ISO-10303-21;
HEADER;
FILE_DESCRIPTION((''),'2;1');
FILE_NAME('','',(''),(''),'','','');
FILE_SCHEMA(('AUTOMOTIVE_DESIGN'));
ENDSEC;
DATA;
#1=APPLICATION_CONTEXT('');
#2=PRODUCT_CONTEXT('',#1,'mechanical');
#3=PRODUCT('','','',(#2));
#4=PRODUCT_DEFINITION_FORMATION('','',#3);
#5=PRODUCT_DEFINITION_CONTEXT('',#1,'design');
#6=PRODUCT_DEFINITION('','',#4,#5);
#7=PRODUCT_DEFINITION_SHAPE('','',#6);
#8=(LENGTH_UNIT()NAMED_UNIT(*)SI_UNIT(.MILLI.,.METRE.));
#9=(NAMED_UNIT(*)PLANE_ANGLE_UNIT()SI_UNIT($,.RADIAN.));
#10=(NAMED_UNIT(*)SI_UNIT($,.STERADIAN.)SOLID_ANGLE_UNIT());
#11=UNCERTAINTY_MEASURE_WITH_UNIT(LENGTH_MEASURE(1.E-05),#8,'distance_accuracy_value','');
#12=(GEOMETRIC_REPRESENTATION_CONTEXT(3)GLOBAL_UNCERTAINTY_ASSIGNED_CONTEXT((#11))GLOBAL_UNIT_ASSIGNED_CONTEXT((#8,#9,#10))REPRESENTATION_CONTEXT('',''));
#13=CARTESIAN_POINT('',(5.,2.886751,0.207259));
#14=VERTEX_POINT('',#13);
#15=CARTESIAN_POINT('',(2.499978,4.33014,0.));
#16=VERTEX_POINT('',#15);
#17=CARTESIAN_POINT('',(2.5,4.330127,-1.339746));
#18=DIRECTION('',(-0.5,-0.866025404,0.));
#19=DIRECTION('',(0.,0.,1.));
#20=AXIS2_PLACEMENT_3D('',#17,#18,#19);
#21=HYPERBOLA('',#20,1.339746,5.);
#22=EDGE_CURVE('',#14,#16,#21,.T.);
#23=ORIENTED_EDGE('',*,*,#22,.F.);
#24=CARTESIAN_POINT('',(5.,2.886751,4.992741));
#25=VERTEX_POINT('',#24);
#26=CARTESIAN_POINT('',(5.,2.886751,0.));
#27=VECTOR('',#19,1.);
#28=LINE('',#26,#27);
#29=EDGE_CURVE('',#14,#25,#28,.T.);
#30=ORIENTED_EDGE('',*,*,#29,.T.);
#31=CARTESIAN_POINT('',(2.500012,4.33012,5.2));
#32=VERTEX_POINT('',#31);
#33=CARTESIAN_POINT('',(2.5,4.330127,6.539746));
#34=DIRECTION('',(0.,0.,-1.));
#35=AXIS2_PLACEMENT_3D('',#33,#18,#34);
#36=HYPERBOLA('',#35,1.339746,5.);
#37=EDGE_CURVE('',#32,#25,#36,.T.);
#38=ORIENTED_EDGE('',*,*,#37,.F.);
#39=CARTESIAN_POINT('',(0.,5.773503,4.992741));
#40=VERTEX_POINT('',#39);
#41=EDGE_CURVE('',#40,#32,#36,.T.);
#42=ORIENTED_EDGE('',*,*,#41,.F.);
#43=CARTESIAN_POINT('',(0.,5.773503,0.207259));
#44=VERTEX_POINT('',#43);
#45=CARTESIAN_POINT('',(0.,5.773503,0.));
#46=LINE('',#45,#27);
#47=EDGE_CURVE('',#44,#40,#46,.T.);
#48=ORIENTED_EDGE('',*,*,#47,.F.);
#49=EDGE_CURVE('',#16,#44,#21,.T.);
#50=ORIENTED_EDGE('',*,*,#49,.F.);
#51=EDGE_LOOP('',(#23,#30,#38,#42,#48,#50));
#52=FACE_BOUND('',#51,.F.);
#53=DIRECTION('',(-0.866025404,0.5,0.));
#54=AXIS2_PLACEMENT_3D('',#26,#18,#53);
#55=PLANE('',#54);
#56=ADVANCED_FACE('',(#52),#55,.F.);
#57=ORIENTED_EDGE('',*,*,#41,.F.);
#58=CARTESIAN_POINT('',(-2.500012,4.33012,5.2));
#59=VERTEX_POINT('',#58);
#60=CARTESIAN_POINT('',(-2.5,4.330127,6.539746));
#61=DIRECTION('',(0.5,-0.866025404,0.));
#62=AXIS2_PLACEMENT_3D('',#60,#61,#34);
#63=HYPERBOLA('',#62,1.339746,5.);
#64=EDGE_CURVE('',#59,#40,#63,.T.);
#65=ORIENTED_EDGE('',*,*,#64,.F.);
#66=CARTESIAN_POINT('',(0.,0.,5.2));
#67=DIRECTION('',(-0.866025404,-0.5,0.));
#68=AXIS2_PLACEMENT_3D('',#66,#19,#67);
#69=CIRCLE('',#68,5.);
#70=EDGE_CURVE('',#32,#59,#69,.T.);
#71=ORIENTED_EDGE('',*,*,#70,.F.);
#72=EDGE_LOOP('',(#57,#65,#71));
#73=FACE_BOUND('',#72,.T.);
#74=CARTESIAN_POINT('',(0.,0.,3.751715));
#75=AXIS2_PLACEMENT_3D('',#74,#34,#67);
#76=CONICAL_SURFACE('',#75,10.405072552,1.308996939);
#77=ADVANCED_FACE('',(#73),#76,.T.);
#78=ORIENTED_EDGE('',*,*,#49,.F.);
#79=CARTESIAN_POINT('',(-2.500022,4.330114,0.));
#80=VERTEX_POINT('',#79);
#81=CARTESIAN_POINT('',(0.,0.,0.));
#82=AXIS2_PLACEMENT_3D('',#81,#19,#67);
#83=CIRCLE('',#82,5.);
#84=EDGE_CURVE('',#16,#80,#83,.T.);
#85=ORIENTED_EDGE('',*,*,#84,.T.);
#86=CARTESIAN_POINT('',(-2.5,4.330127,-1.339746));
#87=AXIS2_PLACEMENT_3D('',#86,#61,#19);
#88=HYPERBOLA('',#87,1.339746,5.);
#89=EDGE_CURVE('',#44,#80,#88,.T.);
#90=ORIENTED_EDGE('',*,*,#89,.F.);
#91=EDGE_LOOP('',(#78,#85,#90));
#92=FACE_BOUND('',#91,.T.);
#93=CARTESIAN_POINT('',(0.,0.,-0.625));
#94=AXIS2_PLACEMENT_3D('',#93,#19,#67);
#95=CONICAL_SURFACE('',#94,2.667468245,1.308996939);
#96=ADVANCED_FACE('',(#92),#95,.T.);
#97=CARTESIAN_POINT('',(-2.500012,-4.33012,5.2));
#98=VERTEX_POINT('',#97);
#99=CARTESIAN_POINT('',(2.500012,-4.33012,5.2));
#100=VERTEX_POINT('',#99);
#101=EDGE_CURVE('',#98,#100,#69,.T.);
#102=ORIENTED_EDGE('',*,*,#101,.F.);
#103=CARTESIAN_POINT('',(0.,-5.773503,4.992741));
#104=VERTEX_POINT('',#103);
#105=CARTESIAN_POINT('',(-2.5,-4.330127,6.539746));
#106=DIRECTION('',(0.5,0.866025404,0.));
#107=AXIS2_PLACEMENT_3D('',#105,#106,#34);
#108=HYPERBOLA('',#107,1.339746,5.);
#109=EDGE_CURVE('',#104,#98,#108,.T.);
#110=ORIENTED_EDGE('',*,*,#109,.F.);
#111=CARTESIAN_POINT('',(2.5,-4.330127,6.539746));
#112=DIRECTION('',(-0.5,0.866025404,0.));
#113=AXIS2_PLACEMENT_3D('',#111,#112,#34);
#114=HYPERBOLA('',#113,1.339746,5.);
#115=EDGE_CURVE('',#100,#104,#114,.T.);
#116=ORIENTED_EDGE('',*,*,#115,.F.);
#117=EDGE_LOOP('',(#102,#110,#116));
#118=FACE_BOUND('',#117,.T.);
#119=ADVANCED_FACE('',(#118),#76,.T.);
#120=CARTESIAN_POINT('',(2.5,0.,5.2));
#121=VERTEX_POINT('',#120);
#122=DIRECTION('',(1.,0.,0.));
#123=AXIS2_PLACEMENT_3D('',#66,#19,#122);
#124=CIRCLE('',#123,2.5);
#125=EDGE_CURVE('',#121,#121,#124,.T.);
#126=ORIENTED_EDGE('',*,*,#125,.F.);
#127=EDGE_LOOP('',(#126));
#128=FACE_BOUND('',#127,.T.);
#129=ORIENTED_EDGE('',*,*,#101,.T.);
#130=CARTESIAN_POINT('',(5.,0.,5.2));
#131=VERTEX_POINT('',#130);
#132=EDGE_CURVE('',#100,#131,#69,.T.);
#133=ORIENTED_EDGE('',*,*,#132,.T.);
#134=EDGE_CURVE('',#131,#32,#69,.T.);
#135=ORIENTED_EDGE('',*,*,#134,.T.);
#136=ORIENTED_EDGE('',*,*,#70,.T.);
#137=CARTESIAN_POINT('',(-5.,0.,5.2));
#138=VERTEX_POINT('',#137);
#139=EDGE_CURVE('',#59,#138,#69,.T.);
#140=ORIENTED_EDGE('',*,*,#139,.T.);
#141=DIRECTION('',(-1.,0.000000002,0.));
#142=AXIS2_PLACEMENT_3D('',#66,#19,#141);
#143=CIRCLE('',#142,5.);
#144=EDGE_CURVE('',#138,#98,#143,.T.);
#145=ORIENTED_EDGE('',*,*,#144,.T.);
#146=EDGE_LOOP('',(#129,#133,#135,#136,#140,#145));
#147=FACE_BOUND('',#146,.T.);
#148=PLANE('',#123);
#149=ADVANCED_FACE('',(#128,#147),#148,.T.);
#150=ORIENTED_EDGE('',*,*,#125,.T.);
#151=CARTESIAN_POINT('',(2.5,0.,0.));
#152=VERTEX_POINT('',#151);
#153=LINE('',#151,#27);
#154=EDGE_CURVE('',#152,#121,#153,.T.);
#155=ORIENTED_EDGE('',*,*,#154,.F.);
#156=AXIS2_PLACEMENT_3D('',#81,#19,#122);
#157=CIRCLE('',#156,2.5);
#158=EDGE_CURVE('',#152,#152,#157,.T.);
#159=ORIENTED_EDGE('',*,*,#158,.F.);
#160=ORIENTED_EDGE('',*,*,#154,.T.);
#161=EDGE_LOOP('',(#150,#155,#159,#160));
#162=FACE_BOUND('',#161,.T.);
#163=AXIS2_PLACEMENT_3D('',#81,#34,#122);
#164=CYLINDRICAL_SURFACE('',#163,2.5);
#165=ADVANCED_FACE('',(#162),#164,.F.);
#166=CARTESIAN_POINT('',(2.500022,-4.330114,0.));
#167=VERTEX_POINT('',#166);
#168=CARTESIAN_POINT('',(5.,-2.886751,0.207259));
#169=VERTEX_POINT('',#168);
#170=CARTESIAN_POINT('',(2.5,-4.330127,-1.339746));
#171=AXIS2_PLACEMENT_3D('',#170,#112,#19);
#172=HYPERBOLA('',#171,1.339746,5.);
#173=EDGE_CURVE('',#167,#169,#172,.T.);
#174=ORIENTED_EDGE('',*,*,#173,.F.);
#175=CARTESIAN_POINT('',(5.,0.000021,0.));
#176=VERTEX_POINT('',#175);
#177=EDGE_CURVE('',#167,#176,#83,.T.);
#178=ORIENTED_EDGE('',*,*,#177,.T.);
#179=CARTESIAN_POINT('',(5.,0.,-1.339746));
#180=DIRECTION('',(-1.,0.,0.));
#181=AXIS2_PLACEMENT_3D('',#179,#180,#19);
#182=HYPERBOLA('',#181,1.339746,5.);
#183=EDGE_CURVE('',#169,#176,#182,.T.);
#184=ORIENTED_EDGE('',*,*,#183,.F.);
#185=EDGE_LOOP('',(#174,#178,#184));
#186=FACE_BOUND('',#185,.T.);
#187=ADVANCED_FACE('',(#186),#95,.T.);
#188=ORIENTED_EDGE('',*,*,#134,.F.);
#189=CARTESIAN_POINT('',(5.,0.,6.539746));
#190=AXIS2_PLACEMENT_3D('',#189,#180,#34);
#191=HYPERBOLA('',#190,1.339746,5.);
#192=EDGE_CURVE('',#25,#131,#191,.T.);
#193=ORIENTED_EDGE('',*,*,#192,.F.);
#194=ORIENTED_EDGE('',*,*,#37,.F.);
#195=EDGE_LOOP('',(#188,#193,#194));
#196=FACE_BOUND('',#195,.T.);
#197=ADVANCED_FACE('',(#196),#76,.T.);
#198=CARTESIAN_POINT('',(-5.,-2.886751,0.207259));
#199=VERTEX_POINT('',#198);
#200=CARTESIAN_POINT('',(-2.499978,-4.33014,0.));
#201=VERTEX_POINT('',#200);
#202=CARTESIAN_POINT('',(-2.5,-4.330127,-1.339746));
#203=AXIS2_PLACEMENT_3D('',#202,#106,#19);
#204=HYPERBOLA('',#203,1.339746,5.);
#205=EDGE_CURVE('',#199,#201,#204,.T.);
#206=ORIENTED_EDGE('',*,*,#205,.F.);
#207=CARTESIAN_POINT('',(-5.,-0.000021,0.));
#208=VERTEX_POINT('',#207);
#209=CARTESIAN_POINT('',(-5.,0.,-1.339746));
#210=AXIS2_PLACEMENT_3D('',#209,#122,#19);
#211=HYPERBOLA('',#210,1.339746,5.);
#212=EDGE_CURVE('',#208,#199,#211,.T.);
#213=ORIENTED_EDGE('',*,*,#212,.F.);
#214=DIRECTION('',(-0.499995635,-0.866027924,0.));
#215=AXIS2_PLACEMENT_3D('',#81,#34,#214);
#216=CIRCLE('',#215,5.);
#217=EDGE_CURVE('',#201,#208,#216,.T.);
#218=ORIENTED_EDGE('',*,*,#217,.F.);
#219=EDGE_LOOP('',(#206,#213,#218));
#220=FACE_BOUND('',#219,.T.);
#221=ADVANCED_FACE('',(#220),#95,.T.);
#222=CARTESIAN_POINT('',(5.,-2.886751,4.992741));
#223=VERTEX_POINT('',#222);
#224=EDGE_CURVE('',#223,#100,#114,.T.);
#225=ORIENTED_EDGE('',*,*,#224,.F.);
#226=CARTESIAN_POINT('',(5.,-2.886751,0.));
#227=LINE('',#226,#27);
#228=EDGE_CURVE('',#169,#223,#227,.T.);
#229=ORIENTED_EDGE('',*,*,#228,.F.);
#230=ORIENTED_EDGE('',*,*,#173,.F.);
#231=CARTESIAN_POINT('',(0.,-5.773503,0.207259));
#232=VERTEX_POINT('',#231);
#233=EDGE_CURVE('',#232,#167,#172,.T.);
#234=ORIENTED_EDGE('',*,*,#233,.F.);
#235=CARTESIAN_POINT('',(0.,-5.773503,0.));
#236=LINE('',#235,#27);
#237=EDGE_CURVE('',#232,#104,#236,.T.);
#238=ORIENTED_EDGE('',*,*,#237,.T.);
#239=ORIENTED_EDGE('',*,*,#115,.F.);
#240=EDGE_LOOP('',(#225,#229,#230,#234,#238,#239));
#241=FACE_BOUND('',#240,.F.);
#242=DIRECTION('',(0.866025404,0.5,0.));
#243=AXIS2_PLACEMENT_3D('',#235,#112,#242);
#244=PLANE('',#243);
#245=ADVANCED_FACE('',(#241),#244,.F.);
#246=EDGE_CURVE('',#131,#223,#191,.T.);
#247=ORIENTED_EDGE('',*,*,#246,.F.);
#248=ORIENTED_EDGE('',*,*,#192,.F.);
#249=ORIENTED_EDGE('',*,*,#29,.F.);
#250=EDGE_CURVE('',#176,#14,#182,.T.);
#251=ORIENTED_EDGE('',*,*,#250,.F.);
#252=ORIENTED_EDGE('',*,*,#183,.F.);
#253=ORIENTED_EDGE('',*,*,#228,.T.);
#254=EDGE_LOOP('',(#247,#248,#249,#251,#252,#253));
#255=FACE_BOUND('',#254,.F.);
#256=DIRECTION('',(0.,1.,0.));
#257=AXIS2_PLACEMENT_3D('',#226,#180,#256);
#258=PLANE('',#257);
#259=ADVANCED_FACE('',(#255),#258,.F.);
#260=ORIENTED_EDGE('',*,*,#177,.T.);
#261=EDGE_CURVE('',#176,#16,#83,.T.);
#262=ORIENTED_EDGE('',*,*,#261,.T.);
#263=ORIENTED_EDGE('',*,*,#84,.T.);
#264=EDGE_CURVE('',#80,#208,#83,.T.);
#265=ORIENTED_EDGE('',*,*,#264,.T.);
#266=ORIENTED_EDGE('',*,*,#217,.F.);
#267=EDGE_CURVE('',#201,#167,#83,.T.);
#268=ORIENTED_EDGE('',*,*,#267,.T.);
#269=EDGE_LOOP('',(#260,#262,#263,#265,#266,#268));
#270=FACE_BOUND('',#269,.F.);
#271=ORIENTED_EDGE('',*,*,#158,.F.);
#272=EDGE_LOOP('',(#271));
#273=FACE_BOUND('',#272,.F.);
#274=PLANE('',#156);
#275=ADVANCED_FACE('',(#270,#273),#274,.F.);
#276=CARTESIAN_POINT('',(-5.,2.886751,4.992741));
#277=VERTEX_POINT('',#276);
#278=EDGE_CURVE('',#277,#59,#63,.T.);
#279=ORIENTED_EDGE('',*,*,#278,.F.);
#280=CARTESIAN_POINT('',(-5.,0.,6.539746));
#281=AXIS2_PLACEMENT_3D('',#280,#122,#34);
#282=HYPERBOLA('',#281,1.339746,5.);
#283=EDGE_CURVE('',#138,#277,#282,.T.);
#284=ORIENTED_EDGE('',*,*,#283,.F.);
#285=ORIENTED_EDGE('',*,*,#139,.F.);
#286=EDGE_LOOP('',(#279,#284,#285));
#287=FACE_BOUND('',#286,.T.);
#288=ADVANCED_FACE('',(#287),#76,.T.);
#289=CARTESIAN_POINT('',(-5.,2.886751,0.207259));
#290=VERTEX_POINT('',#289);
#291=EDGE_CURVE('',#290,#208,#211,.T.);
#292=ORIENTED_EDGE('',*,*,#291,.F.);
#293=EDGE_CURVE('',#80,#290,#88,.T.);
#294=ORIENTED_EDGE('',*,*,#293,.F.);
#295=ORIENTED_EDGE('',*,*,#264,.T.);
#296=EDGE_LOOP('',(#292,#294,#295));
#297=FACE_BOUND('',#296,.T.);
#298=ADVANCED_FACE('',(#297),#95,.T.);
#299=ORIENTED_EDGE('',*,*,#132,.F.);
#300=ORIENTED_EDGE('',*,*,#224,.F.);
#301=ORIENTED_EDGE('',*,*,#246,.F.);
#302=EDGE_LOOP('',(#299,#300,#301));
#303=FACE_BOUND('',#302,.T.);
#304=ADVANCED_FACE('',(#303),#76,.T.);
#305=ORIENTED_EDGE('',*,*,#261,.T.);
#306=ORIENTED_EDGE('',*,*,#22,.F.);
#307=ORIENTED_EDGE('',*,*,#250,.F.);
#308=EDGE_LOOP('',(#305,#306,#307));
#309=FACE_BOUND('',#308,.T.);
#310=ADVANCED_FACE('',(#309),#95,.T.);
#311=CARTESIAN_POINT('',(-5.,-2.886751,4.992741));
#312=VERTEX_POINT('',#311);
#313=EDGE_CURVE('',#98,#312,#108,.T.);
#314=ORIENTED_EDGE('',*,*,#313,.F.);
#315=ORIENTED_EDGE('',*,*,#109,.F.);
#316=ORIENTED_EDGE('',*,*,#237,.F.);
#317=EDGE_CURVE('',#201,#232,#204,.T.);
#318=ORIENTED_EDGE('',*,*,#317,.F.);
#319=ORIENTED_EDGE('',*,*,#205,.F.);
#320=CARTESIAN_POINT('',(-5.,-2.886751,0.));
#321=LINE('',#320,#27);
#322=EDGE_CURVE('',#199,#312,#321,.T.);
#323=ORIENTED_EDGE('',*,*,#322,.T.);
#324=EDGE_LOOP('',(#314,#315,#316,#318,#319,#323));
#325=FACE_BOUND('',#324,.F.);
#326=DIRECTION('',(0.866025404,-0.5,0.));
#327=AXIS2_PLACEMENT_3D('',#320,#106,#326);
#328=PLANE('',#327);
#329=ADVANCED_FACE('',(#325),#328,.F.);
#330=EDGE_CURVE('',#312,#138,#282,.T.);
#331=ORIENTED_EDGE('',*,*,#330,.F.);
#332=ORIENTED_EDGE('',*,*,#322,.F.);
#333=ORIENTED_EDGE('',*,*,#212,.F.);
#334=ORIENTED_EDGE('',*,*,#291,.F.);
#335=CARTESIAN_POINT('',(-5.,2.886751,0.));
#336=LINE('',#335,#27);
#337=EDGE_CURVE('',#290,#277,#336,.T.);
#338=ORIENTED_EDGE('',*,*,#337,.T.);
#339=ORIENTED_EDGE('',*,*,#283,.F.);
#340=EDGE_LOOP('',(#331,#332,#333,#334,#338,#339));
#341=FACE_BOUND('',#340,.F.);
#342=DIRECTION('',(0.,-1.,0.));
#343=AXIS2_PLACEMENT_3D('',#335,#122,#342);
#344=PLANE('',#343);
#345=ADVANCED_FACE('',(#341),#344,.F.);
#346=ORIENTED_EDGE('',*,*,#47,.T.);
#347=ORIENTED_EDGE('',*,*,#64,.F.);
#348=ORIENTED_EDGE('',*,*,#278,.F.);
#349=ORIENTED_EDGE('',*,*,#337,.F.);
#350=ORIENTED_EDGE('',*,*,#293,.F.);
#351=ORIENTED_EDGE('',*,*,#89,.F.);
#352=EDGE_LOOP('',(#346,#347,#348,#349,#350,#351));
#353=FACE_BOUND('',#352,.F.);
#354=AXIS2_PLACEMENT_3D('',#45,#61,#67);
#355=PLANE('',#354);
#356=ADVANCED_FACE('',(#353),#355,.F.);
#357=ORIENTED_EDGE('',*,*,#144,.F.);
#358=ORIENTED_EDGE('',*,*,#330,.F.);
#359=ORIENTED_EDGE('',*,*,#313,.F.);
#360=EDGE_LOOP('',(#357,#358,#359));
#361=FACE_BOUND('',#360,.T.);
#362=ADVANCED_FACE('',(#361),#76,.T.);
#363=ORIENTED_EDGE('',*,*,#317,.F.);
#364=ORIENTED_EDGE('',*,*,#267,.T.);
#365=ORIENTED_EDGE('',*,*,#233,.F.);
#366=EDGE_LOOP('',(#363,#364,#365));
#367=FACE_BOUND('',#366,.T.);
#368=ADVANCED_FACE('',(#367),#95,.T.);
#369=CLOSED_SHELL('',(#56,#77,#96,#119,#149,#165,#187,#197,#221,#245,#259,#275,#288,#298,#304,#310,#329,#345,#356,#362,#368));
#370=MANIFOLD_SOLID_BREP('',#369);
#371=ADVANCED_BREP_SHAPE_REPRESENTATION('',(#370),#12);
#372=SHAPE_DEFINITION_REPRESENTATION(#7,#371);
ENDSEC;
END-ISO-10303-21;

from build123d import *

# Parameters (mm, degrees)
F0_R     = 2.5
F1_DEPTH = 5.2


with BuildPart() as f1:
    # F0 (on Top) → F1 (new body)
    with BuildSketch(Plane.XY):
        Polygon((5, -2.8867513459), (5, 2.8867513459), (0, 5.7735026919), (-5, 2.8867513459), (-5, -2.8867513459), (0, -5.7735026919), align=None)
        Circle(F0_R, mode=Mode.SUBTRACT)
    extrude(amount=F1_DEPTH)

    # F5 (on 3pt) → F6 (revolve, cut)
    with BuildSketch(Plane(origin=(0, 0, 0), x_dir=(0.8660254038, 0.5, 0), z_dir=(0.5, -0.8660254038, 0))):
        Polygon((-5, 5.2), (-2.6674682453, 5.825), (-10.4050725523, 5.825), (-10.4050725523, 3.7517151746), align=None)
        Polygon((-10.4050725523, -0.625), (-2.6674682453, -0.625), (-10.4050725523, 1.4482848254), align=None)
    revolve(axis=Axis((0, 0, 4.2626714858), (0, 0, 1)), mode=Mode.SUBTRACT)


solid = f1.part
